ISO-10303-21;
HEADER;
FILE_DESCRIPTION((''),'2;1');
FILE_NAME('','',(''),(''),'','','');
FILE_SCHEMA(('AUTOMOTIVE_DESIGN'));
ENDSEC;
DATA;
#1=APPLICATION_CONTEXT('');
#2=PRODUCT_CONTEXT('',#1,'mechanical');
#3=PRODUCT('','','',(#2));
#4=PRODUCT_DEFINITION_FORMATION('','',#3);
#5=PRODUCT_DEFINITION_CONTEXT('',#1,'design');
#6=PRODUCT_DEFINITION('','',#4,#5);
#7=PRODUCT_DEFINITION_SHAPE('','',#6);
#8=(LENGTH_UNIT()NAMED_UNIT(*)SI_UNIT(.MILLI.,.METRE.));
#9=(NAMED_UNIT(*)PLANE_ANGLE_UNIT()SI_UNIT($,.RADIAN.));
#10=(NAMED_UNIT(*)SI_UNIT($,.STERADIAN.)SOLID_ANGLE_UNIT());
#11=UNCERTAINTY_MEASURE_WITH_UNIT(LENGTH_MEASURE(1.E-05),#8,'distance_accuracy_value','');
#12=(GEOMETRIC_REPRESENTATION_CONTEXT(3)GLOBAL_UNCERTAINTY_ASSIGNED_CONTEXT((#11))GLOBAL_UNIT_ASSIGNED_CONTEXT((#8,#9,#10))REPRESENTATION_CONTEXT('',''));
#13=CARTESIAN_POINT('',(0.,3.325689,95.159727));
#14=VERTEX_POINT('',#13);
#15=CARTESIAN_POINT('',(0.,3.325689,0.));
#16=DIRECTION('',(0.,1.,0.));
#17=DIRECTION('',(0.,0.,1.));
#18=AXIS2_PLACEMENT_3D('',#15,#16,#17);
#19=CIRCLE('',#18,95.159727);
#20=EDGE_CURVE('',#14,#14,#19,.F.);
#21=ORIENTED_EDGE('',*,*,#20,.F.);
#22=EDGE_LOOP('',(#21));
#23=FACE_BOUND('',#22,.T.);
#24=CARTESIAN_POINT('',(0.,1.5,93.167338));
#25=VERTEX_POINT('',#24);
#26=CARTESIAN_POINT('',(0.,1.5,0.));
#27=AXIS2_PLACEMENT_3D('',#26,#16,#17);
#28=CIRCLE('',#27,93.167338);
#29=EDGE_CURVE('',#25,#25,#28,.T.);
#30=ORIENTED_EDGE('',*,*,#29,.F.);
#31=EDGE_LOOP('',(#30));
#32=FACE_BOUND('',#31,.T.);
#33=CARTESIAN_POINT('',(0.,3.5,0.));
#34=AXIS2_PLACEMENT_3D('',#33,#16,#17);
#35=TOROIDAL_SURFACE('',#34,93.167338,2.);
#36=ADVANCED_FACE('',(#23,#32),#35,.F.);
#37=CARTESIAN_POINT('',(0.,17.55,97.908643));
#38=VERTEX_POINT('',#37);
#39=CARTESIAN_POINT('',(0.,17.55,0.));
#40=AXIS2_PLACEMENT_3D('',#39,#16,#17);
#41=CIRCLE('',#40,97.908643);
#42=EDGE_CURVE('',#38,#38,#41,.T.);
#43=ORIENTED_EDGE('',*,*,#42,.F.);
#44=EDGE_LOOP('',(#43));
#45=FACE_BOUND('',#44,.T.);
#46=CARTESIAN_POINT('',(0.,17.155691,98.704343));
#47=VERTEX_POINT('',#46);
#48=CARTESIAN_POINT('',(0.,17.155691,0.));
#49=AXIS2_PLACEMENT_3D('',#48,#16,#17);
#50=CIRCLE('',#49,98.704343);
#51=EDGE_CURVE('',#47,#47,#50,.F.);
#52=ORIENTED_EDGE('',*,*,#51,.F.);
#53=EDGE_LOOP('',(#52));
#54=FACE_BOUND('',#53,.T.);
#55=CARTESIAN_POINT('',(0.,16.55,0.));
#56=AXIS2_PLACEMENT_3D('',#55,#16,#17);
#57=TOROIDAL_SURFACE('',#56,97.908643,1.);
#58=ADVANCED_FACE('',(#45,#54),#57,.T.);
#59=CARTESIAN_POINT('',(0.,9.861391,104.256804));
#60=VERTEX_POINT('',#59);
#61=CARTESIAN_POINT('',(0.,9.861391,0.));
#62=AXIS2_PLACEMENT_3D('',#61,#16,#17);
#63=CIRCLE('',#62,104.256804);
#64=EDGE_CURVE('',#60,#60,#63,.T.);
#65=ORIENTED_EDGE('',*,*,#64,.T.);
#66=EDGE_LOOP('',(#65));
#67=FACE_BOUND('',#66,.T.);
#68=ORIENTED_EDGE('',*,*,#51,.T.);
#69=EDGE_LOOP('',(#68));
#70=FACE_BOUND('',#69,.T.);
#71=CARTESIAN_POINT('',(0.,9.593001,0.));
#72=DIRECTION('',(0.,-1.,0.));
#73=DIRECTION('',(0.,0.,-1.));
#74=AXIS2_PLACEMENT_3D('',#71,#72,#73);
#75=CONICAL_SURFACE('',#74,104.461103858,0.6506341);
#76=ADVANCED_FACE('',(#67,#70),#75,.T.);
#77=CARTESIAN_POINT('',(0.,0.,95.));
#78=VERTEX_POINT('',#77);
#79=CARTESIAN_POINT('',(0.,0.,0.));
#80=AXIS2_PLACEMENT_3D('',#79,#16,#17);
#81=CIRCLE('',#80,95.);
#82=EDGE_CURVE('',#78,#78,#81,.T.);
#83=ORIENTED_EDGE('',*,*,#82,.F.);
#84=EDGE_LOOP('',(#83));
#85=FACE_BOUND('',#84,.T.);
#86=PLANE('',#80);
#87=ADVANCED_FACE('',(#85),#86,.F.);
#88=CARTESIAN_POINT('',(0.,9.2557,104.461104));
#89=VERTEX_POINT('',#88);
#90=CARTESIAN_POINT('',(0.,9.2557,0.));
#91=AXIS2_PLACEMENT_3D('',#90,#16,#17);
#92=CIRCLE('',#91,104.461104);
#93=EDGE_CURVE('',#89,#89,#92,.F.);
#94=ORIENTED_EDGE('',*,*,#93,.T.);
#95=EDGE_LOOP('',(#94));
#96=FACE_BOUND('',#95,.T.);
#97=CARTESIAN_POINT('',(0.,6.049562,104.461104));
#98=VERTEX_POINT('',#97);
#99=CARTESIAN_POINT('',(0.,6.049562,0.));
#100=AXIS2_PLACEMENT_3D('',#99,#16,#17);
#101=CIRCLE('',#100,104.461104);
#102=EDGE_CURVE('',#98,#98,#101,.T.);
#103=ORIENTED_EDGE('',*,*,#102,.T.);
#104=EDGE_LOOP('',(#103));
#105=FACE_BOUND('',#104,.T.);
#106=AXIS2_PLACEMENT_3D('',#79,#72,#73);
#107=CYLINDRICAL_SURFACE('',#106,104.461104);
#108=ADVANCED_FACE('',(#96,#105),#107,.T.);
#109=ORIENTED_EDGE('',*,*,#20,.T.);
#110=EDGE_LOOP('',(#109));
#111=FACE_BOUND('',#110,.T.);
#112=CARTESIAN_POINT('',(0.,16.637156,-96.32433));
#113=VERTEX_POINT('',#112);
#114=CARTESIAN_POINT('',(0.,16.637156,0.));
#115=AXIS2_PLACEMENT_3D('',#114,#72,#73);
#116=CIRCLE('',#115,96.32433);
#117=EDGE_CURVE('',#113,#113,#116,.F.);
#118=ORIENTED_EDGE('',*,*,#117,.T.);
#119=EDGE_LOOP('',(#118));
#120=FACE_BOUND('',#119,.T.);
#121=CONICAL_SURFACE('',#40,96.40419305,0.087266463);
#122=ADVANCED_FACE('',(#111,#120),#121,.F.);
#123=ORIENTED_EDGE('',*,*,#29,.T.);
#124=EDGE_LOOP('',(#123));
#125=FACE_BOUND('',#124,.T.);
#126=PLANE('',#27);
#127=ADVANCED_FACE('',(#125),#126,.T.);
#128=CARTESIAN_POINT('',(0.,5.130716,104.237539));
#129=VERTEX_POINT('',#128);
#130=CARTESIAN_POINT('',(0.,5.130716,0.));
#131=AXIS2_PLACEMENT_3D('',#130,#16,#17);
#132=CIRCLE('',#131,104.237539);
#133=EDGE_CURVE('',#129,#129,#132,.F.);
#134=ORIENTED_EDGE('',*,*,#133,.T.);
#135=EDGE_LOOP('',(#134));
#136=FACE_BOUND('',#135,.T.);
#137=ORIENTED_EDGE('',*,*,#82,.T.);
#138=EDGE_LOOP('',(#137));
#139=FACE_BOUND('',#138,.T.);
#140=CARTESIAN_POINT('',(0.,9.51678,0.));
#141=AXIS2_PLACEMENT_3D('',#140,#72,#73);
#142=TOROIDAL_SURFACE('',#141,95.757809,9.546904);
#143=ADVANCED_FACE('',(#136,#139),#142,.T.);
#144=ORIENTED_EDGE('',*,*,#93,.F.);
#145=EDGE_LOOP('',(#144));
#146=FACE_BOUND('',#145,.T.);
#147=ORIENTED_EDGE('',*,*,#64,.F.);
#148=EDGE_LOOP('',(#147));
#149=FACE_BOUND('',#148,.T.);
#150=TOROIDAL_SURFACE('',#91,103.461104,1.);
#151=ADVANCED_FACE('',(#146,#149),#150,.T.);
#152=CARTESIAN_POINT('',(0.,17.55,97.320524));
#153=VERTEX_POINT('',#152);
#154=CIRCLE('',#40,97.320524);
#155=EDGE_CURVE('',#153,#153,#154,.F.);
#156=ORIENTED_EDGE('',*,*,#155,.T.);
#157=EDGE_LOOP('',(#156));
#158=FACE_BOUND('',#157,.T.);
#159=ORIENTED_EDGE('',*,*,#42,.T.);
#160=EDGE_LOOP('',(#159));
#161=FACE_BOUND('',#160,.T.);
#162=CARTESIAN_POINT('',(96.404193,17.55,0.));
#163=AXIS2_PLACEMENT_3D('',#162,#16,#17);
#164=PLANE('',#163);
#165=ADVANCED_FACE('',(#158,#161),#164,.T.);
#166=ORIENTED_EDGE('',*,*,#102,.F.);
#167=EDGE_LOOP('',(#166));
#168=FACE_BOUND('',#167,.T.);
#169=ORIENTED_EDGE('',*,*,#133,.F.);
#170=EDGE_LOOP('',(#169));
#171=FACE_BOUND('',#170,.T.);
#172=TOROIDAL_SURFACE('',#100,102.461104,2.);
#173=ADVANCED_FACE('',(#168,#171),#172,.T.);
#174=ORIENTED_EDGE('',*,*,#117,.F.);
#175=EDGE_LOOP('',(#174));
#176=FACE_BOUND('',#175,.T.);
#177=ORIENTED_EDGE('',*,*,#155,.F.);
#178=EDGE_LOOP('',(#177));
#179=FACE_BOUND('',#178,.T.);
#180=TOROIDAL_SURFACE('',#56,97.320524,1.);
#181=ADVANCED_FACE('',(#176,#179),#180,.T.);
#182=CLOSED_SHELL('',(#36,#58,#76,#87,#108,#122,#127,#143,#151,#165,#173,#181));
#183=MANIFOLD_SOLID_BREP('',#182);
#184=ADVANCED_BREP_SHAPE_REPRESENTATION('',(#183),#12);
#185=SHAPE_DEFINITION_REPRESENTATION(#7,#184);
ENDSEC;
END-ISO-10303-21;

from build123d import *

# Parameters (mm, degrees)
SKETCH1_R           = 95
BOSS_EXTRUDE1_DEPTH = 1.5
FILLET1_R           = 1
FILLET2_R           = 1
FILLET4_R           = 2
FILLET5_R           = 2


with BuildPart() as part:
    # Sketch1 → Boss-Extrude1 (new body)
    with BuildSketch(Plane(origin=(0, 0, 0), x_dir=(1, 0, 0), z_dir=(0, 1, 0))):
        with Locations(Location((0, 0, 0), (0, 0, 270))):
            Circle(SKETCH1_R)
    extrude(amount=BOSS_EXTRUDE1_DEPTH)

    # Sketch2 → Revolve1 (revolve)
    with BuildSketch(Plane.XY, mode=Mode.PRIVATE) as revolve1_sk:
        with BuildLine():
            Line((95, 1.5), (96.40419305, 17.55))
            Line((96.40419305, 17.55), (98.40419305, 17.55))
            Line((98.40419305, 17.55), (104.461103858, 9.593001102))
            Line((104.461103858, 9.593001102), (104.461103858, 5.593001102))
            ThreePointArc((104.461103858, 5.593001102), (100.616111366, 1.298490869), (95, 0))
            Line((95, 0), (95, 1.5))
        make_face()
    revolve(revolve1_sk.sketch.rotate(Axis((0, 0, 0), (0, 1, 0)), 90), axis=Axis((0, 0, 0), (0, 1, 0)))

    # Fillet1
    fillet1_edges = [part.edges().sort_by_distance(p)[0] for p in [
        (0, 17.55, 98.40419305),
        (0, 17.55, 96.40419305),
    ]]
    fillet(fillet1_edges, radius=FILLET1_R)

    # Fillet2
    fillet2_edges = [part.edges().sort_by_distance(p)[0] for p in [
        (0, 9.593001102, 104.461103858),
    ]]
    fillet(fillet2_edges, radius=FILLET2_R)

    # Fillet4
    fillet4_edges = [part.edges().sort_by_distance(p)[0] for p in [
        (0, 5.593001102, 104.461103858),
    ]]
    fillet(fillet4_edges, radius=FILLET4_R)

    # Fillet5
    fillet5_edges = [part.edges().sort_by_distance(p)[0] for p in [
        (0, 1.5, 95),
    ]]
    fillet(fillet5_edges, radius=FILLET5_R)


solid = part.part
